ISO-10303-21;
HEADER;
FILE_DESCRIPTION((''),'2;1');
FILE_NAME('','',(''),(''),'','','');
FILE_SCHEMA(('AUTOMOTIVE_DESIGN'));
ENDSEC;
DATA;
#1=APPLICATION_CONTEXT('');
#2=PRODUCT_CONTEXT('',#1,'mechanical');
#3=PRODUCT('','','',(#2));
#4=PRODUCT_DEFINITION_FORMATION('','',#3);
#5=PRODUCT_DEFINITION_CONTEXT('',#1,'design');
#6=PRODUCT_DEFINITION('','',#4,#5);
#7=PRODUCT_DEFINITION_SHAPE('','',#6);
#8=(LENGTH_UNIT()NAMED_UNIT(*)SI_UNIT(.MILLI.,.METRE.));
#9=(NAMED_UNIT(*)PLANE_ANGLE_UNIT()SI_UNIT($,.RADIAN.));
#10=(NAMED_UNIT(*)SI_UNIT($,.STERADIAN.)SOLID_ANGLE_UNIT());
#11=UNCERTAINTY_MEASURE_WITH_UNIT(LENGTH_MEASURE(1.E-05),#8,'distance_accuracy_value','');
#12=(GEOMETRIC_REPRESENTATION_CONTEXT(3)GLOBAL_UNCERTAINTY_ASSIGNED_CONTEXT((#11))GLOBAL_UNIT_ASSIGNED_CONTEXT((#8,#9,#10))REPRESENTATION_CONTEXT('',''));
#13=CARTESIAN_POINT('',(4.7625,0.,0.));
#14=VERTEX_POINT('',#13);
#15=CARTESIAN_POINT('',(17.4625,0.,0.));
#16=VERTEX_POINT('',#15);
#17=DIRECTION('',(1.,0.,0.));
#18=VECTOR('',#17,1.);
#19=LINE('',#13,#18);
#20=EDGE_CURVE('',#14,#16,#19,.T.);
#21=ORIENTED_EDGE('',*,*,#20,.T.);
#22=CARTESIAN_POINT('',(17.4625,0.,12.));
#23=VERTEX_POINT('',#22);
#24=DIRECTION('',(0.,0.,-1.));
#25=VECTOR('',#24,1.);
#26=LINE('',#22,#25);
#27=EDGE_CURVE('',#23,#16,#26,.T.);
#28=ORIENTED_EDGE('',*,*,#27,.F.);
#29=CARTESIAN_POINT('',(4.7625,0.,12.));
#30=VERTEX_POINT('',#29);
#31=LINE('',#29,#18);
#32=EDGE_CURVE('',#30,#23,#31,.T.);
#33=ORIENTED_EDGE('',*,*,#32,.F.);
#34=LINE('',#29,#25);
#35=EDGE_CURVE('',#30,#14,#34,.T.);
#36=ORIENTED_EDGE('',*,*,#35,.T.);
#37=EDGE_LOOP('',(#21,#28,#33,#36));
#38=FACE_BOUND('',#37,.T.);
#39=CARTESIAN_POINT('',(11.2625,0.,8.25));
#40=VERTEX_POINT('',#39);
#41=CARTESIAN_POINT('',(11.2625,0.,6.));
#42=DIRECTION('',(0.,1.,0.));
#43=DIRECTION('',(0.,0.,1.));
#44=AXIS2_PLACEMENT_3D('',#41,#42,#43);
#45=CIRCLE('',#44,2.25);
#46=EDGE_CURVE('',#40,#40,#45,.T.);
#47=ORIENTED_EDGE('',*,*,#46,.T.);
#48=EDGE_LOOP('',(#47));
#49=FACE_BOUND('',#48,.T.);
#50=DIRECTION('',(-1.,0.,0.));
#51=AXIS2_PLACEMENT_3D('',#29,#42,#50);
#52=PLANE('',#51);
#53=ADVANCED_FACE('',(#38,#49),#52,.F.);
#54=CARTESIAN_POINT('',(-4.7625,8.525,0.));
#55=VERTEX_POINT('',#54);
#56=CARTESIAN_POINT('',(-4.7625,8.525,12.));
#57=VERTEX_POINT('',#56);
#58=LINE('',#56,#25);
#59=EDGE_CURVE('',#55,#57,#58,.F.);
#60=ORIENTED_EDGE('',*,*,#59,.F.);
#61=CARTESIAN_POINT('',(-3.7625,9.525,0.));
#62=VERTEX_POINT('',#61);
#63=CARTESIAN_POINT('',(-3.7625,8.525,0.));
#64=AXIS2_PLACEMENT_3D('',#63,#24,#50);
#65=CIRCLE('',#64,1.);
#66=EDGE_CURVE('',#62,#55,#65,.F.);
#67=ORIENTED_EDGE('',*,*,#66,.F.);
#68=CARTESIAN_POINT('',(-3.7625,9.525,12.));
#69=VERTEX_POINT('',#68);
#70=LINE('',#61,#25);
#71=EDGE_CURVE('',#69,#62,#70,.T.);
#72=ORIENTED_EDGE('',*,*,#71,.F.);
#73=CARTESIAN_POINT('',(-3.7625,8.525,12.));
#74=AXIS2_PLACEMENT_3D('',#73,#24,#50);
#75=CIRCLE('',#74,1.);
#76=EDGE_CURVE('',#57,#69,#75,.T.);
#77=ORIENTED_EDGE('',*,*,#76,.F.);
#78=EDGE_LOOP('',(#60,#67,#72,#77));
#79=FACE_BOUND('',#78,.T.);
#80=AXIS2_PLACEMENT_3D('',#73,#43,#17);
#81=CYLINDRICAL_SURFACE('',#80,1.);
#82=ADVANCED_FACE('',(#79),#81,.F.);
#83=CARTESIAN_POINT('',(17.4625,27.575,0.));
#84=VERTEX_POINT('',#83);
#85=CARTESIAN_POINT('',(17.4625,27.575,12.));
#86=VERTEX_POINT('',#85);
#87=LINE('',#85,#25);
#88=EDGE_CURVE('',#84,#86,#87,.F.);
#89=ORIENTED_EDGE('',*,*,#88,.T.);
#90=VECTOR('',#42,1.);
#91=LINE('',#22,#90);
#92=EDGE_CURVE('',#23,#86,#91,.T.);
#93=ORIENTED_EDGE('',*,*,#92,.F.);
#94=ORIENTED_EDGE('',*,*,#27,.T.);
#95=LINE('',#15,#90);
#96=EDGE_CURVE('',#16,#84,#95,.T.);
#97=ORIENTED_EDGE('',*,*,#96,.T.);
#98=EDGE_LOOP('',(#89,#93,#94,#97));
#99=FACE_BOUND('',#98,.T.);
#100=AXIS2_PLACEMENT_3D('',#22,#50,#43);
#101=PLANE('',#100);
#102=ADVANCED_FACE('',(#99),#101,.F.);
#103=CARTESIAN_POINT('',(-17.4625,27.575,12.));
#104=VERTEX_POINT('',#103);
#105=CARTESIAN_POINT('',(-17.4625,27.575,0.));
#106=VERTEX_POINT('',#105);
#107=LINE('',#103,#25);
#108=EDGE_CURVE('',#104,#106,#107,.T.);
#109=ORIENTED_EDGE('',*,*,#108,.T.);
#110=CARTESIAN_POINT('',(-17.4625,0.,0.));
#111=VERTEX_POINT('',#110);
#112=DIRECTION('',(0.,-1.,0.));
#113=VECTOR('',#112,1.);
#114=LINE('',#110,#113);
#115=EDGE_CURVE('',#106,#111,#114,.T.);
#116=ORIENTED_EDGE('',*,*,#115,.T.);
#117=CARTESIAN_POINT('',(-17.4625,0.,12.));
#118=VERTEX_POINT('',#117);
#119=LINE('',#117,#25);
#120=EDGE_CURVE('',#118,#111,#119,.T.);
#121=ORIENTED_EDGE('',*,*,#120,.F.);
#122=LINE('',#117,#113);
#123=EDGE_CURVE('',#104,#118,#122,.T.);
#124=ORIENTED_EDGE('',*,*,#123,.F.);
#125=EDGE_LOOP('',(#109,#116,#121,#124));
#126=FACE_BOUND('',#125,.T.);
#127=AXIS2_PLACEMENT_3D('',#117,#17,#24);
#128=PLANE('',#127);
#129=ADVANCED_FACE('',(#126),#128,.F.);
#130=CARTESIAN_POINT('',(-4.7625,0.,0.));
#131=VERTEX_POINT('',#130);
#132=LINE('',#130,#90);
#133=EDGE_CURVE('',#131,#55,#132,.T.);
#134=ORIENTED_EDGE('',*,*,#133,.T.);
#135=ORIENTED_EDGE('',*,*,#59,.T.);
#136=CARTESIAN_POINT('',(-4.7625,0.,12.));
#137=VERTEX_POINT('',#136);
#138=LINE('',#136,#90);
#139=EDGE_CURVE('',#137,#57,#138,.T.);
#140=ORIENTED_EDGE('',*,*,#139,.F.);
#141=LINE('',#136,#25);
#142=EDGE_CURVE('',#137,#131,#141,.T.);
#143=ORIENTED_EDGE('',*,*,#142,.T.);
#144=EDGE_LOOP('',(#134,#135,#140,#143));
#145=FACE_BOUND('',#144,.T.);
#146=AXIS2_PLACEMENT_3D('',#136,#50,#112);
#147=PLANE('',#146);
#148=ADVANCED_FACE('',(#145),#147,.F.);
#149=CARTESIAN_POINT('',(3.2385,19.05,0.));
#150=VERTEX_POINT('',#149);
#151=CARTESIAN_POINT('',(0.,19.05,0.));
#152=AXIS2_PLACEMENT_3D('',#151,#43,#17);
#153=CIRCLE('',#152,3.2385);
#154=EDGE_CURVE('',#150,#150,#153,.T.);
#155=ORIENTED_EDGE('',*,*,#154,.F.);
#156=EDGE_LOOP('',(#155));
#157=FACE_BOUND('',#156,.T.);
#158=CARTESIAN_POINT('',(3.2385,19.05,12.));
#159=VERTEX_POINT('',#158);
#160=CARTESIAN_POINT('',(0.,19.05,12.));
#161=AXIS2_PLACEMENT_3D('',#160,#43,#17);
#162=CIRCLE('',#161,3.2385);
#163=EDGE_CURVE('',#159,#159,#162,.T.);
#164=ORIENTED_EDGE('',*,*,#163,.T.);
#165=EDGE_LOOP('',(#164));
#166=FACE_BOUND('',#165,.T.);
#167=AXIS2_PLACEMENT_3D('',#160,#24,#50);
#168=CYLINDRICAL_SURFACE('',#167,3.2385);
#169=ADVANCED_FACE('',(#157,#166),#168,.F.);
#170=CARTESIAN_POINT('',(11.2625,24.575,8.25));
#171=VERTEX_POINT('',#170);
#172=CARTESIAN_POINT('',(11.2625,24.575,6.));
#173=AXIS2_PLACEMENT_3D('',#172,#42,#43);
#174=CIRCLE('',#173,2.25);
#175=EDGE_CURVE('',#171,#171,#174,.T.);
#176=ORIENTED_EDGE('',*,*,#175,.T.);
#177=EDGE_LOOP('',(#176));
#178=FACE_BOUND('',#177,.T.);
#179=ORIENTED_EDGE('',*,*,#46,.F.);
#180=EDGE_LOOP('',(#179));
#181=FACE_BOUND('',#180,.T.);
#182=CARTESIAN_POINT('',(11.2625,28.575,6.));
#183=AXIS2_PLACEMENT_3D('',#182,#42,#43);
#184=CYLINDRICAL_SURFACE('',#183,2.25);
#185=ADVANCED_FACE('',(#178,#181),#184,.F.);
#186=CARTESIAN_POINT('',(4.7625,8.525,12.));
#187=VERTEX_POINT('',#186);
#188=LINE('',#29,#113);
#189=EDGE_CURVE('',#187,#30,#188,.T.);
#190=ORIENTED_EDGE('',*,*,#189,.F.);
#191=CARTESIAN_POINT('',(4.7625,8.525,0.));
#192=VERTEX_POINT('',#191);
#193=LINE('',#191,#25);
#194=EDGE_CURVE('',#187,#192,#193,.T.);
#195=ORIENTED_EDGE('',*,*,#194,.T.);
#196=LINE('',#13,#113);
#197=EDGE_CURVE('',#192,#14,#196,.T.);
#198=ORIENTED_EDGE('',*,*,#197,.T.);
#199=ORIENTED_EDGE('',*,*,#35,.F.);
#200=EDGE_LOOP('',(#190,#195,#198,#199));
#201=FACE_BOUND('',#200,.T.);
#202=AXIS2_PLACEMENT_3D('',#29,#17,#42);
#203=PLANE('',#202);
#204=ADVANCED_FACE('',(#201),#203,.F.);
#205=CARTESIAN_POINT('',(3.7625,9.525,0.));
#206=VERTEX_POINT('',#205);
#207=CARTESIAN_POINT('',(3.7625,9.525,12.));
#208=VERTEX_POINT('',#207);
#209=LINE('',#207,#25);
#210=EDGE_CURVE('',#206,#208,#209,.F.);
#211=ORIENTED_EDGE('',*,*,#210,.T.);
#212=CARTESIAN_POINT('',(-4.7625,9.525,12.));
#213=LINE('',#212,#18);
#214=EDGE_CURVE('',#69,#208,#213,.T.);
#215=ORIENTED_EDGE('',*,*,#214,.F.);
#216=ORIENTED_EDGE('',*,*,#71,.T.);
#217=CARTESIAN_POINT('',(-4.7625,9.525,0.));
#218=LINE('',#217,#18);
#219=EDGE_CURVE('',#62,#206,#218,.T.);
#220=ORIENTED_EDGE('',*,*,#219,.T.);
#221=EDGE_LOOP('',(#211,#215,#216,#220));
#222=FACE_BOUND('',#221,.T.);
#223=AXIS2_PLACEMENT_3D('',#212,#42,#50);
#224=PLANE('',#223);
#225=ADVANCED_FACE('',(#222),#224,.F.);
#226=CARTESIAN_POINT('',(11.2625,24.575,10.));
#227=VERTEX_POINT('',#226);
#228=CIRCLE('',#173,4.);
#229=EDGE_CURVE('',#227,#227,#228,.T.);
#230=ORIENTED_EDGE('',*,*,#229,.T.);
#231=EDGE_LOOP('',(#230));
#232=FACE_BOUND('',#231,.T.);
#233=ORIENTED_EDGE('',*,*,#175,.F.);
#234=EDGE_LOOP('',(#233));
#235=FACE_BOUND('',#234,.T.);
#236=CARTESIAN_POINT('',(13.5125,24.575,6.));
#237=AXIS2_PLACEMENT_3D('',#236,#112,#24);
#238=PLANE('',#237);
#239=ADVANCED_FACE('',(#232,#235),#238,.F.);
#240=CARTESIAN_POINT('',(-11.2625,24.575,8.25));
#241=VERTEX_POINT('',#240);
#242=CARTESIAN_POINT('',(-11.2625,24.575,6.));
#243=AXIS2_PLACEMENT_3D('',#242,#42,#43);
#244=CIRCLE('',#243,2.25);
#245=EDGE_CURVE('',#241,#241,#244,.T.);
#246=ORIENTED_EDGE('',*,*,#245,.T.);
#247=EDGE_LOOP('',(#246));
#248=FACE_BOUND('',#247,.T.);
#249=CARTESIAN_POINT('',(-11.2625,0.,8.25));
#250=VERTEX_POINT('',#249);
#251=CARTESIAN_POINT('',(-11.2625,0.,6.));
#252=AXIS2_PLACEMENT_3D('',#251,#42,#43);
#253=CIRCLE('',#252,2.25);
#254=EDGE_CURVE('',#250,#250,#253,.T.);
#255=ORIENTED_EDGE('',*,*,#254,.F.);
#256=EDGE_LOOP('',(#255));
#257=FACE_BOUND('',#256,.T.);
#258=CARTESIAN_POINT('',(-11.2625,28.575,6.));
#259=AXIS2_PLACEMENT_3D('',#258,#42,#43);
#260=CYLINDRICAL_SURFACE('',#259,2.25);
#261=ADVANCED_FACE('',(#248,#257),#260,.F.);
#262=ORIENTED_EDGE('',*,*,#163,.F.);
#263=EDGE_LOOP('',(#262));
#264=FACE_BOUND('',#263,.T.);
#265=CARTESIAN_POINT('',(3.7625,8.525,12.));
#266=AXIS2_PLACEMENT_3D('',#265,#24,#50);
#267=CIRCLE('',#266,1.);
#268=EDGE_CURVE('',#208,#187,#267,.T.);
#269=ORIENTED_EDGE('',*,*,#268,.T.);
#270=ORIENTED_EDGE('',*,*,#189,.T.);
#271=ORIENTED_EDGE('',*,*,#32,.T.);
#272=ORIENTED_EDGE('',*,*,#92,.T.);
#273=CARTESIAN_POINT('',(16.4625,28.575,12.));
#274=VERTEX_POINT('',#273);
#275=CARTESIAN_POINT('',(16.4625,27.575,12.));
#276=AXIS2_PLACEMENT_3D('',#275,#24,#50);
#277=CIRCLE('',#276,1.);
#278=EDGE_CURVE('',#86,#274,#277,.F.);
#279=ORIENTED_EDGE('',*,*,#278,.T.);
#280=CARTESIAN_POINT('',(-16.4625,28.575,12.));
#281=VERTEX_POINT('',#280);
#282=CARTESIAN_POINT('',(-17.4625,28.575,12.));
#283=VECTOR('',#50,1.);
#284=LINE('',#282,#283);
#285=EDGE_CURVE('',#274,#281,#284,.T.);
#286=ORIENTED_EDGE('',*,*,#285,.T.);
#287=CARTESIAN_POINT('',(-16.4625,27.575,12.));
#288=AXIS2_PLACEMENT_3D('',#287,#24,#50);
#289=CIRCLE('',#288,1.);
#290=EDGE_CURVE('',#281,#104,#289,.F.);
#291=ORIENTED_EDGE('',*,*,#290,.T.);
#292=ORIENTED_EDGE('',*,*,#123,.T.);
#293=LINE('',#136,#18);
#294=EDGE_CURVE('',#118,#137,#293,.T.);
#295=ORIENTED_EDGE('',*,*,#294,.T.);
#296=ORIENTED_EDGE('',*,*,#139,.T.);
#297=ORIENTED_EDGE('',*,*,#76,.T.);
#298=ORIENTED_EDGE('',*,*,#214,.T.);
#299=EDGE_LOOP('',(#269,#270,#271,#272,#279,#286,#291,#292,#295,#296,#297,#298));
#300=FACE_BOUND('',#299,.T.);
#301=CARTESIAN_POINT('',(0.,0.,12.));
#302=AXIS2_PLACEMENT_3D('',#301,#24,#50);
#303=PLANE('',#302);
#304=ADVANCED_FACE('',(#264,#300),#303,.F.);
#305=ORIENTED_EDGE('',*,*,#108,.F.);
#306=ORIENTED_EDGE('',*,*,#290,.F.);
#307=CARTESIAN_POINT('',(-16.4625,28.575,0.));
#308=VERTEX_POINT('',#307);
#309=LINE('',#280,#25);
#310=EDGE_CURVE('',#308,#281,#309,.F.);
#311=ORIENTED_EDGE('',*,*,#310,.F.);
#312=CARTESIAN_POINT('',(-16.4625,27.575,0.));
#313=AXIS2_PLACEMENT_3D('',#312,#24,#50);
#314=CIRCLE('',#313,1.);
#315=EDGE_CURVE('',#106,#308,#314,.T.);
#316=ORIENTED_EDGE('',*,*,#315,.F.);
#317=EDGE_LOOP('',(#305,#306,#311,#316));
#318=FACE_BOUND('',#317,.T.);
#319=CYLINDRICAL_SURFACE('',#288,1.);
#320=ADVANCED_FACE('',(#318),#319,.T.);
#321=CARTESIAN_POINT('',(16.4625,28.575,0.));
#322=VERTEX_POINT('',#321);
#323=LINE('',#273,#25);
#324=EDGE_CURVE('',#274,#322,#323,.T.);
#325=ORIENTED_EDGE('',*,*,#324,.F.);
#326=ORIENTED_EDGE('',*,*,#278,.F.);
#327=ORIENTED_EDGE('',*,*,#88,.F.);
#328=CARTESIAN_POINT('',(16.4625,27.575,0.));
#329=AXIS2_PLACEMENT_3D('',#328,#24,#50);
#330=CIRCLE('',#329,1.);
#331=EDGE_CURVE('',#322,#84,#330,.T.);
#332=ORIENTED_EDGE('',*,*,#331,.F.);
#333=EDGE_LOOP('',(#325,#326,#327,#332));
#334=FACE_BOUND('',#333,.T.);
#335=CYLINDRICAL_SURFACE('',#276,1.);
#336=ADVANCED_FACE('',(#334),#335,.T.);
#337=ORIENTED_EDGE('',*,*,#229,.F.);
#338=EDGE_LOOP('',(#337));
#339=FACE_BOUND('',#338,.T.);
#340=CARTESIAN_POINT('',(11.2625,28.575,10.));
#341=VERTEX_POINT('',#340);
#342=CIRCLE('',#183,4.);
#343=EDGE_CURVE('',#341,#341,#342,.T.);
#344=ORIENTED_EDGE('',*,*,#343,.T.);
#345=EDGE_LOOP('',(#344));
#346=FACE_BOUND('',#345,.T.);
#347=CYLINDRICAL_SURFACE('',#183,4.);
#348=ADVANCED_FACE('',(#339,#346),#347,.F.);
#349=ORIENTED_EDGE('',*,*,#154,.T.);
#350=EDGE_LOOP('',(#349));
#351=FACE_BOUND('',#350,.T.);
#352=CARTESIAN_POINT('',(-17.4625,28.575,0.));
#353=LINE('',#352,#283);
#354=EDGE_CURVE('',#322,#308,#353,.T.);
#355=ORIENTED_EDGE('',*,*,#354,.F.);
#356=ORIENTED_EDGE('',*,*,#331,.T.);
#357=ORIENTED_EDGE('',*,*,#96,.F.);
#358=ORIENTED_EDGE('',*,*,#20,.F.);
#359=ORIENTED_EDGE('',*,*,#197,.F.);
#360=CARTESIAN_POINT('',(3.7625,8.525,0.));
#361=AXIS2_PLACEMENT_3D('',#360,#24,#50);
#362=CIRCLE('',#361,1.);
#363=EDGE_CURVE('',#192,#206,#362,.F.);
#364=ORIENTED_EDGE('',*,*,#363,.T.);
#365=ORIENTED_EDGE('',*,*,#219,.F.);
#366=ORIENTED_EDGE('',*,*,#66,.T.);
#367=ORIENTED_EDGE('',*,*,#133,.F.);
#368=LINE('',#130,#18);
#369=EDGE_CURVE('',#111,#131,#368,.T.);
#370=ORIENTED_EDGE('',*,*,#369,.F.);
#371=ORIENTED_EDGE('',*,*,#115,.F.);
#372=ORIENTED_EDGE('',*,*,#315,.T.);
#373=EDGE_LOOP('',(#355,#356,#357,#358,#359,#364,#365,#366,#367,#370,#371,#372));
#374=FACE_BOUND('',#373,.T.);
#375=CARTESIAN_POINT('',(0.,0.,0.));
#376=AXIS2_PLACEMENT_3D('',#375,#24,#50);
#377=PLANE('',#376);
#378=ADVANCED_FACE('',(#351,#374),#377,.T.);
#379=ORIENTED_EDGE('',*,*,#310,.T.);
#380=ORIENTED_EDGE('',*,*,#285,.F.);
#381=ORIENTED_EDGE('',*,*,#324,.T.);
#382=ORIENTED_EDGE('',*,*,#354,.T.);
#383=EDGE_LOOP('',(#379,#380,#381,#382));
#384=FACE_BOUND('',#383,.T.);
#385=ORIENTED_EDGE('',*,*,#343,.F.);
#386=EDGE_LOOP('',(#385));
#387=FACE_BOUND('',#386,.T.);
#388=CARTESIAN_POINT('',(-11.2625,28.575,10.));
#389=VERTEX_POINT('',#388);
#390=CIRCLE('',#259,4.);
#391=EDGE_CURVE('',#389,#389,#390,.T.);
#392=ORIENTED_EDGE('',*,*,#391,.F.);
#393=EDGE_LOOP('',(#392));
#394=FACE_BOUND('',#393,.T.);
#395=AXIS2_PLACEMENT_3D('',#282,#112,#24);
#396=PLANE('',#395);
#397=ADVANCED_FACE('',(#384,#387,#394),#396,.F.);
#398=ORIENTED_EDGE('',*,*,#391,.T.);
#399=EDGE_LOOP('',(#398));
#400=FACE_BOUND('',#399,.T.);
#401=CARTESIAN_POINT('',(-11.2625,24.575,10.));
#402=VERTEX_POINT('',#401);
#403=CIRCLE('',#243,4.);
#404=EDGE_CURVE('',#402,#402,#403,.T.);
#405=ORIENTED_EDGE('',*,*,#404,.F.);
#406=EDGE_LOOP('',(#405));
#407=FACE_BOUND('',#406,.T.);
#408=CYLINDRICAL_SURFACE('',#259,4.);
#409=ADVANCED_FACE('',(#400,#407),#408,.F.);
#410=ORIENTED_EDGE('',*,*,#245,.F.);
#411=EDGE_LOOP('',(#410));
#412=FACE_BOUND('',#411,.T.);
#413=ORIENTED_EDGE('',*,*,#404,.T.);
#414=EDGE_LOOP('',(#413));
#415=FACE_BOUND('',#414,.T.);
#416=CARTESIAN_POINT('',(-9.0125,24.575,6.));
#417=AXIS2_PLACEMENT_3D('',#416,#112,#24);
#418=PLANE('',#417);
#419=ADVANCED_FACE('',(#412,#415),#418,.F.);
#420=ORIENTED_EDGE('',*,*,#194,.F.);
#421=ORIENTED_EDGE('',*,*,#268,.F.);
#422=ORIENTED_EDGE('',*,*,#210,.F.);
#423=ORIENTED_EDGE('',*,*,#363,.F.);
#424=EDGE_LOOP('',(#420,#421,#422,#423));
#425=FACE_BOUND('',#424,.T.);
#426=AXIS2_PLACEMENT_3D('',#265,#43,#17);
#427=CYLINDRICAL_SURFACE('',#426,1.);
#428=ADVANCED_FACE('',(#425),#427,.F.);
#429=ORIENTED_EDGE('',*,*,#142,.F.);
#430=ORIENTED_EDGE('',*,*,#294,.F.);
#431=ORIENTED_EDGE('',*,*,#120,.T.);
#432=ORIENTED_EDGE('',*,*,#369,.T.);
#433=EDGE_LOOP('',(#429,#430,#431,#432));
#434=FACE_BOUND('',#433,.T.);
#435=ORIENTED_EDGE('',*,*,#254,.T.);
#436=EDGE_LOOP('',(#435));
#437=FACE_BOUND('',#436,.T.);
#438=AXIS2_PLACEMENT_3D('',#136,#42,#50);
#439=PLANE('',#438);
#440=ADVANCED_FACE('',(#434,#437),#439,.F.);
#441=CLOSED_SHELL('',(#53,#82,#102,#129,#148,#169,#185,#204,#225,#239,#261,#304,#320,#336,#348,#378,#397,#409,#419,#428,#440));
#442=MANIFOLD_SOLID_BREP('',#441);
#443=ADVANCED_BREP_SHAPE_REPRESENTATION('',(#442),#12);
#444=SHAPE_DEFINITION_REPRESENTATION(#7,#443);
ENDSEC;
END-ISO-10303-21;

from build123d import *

# Parameters (mm, degrees)
SKETCH1_R                      = 3.2385
BOSS_EXTRUDE1_DEPTH            = 12
CBORE_FOR_M4_SHCS1_D           = 4.5
CBORE_FOR_M4_SHCS1_CBORE_D     = 8
CBORE_FOR_M4_SHCS1_CBORE_DEPTH = 4
FILLET1_R                      = 1


with BuildPart() as part:
    # Sketch1 → Boss-Extrude1 (new body)
    with BuildSketch(Plane.XY):
        Polygon((-17.4625, 28.575), (17.4625, 28.575), (17.4625, 0), (4.7625, 0), (4.7625, 9.525), (-4.7625, 9.525), (-4.7625, 0), (-17.4625, 0), align=None)
        with Locations((0, 19.05)):
            Circle(SKETCH1_R, mode=Mode.SUBTRACT)
    extrude(amount=BOSS_EXTRUDE1_DEPTH)

    # CBORE for M4 SHCS1 (through all)
    with Locations(Plane(origin=(0, 28.575, 0), x_dir=(1, 0, 0), z_dir=(0, 1, 0))):
        with Locations((-11.2625, -6), (11.2625, -6)):
            CounterBoreHole(CBORE_FOR_M4_SHCS1_D / 2, CBORE_FOR_M4_SHCS1_CBORE_D / 2, CBORE_FOR_M4_SHCS1_CBORE_DEPTH)

    # Fillet1
    fillet1_edges = [part.edges().sort_by_distance(p)[0] for p in [
        (4.7625, 9.525, 6),
        (-4.7625, 9.525, 6),
        (-17.4625, 28.575, 6),
        (17.4625, 28.575, 6),
    ]]
    fillet(fillet1_edges, radius=FILLET1_R)


solid = part.part
